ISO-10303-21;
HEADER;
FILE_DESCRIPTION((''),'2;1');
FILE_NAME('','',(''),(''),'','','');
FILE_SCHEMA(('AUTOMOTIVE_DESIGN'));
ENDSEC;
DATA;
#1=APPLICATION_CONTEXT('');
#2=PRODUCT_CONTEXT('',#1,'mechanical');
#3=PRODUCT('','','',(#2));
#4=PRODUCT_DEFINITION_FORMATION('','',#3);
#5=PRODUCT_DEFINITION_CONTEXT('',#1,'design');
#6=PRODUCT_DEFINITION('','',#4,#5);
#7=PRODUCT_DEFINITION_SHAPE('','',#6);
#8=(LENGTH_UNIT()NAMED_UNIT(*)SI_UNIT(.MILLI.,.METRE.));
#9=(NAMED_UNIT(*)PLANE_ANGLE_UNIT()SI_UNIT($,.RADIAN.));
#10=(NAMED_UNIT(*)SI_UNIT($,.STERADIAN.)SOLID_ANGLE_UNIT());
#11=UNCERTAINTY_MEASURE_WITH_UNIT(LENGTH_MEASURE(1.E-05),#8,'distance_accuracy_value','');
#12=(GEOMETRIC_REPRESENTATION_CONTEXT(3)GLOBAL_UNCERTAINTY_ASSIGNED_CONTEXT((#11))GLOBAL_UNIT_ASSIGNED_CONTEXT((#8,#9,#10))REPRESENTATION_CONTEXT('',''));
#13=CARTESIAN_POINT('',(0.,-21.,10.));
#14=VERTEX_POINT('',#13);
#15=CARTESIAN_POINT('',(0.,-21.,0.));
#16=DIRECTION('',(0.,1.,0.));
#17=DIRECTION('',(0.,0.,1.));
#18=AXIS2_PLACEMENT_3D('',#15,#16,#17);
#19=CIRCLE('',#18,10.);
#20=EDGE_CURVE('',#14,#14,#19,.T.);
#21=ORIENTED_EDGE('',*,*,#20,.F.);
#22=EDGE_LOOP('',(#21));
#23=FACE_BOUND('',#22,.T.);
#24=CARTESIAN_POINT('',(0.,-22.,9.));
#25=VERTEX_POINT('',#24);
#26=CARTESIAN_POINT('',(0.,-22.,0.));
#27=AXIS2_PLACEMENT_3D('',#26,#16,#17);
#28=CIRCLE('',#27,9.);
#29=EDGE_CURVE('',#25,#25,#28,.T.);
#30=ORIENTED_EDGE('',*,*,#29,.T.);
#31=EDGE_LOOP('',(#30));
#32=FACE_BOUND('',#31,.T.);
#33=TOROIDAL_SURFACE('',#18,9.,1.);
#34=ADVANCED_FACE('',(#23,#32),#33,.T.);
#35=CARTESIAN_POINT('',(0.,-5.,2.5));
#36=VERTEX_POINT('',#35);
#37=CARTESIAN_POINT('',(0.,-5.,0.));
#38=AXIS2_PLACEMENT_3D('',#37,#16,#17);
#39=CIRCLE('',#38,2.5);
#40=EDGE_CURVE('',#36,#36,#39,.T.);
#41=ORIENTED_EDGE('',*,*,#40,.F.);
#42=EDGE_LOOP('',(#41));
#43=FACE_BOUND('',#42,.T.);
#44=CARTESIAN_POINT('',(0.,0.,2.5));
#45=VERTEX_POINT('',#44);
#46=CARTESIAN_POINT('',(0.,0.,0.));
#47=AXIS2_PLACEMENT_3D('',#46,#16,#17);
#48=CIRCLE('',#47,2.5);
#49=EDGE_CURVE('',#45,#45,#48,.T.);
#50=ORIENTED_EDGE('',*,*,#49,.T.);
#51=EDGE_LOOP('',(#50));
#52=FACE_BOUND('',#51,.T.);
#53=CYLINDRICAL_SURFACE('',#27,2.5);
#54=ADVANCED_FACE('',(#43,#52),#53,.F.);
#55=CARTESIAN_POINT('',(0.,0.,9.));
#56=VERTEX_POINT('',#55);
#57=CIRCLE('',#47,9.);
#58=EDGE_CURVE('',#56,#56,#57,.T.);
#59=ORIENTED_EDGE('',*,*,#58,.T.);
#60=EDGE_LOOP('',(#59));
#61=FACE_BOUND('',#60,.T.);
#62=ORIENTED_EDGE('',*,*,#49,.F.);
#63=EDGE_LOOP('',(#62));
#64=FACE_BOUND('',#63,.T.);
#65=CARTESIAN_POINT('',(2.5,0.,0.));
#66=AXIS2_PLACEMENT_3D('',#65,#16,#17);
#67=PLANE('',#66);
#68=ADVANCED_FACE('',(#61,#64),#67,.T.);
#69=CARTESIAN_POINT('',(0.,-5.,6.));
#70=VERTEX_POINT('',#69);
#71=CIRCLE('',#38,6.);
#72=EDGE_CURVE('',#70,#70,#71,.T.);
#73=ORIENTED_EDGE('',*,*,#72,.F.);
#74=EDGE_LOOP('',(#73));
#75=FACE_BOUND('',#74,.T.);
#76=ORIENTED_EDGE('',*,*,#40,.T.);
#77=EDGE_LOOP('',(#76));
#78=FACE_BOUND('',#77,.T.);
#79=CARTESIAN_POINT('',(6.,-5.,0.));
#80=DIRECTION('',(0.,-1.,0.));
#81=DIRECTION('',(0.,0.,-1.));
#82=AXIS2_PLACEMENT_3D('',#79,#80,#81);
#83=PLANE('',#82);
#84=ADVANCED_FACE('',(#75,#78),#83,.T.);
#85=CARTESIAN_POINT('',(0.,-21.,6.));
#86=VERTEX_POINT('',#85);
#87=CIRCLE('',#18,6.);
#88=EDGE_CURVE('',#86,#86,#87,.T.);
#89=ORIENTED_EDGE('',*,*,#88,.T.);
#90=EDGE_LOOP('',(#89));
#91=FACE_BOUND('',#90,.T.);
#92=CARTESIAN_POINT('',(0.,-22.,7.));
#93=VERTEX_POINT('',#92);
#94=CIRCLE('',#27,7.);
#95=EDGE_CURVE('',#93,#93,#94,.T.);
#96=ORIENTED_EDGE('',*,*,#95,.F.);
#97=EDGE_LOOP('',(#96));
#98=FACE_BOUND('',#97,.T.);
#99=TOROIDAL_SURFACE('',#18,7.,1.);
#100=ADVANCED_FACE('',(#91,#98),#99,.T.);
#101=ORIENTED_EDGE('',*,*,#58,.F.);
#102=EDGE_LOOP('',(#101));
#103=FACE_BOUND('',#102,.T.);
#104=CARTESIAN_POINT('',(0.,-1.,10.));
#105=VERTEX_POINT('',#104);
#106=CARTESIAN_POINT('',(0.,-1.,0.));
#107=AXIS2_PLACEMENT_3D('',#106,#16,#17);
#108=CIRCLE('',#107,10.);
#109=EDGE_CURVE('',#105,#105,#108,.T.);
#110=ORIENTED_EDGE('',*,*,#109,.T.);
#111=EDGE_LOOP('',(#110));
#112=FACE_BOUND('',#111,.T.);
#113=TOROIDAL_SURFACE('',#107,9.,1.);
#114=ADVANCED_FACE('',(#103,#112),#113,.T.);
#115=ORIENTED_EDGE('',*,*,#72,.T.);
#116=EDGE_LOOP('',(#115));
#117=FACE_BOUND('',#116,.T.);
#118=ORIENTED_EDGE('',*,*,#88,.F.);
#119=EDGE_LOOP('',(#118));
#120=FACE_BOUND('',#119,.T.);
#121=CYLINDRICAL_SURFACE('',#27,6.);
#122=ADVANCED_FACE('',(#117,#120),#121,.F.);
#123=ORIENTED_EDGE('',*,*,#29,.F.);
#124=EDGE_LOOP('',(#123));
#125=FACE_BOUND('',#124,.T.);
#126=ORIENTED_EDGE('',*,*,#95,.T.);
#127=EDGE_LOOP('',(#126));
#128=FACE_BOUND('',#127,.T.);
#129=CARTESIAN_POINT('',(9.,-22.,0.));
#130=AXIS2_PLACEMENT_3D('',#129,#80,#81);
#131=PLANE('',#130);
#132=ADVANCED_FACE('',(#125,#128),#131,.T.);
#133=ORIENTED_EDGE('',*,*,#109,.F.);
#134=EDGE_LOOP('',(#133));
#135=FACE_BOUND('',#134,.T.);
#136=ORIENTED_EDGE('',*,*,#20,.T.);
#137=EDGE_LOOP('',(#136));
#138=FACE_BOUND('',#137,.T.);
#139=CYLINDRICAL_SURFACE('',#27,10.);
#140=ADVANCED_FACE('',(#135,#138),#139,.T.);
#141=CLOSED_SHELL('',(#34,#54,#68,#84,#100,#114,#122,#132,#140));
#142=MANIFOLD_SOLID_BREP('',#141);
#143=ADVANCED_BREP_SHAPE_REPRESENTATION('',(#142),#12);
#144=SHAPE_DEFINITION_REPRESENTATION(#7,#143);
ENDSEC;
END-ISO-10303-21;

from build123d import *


with BuildPart() as part:
    # Sketch1 → Revolve1 (revolve)
    with BuildSketch(Plane(origin=(0, 0, 0), x_dir=(-1, 0, 0), z_dir=(0, 0, -1))):
        with BuildLine():
            Line((-6, -21), (-6, -5))
            Line((-6, -5), (-2.5, -5))
            Line((-2.5, -5), (-2.5, 0))
            Line((-2.5, 0), (-9, 0))
            ThreePointArc((-9, 0), (-9.707106781, -0.292893219), (-10, -1))
            Line((-10, -1), (-10, -21))
            ThreePointArc((-10, -21), (-9.707106781, -21.707106781), (-9, -22))
            Line((-9, -22), (-7, -22))
            ThreePointArc((-7, -22), (-6.292893219, -21.707106781), (-6, -21))
        make_face()
    revolve(axis=Axis((0, -22, 0), (0, 1, 0)))


solid = part.part
